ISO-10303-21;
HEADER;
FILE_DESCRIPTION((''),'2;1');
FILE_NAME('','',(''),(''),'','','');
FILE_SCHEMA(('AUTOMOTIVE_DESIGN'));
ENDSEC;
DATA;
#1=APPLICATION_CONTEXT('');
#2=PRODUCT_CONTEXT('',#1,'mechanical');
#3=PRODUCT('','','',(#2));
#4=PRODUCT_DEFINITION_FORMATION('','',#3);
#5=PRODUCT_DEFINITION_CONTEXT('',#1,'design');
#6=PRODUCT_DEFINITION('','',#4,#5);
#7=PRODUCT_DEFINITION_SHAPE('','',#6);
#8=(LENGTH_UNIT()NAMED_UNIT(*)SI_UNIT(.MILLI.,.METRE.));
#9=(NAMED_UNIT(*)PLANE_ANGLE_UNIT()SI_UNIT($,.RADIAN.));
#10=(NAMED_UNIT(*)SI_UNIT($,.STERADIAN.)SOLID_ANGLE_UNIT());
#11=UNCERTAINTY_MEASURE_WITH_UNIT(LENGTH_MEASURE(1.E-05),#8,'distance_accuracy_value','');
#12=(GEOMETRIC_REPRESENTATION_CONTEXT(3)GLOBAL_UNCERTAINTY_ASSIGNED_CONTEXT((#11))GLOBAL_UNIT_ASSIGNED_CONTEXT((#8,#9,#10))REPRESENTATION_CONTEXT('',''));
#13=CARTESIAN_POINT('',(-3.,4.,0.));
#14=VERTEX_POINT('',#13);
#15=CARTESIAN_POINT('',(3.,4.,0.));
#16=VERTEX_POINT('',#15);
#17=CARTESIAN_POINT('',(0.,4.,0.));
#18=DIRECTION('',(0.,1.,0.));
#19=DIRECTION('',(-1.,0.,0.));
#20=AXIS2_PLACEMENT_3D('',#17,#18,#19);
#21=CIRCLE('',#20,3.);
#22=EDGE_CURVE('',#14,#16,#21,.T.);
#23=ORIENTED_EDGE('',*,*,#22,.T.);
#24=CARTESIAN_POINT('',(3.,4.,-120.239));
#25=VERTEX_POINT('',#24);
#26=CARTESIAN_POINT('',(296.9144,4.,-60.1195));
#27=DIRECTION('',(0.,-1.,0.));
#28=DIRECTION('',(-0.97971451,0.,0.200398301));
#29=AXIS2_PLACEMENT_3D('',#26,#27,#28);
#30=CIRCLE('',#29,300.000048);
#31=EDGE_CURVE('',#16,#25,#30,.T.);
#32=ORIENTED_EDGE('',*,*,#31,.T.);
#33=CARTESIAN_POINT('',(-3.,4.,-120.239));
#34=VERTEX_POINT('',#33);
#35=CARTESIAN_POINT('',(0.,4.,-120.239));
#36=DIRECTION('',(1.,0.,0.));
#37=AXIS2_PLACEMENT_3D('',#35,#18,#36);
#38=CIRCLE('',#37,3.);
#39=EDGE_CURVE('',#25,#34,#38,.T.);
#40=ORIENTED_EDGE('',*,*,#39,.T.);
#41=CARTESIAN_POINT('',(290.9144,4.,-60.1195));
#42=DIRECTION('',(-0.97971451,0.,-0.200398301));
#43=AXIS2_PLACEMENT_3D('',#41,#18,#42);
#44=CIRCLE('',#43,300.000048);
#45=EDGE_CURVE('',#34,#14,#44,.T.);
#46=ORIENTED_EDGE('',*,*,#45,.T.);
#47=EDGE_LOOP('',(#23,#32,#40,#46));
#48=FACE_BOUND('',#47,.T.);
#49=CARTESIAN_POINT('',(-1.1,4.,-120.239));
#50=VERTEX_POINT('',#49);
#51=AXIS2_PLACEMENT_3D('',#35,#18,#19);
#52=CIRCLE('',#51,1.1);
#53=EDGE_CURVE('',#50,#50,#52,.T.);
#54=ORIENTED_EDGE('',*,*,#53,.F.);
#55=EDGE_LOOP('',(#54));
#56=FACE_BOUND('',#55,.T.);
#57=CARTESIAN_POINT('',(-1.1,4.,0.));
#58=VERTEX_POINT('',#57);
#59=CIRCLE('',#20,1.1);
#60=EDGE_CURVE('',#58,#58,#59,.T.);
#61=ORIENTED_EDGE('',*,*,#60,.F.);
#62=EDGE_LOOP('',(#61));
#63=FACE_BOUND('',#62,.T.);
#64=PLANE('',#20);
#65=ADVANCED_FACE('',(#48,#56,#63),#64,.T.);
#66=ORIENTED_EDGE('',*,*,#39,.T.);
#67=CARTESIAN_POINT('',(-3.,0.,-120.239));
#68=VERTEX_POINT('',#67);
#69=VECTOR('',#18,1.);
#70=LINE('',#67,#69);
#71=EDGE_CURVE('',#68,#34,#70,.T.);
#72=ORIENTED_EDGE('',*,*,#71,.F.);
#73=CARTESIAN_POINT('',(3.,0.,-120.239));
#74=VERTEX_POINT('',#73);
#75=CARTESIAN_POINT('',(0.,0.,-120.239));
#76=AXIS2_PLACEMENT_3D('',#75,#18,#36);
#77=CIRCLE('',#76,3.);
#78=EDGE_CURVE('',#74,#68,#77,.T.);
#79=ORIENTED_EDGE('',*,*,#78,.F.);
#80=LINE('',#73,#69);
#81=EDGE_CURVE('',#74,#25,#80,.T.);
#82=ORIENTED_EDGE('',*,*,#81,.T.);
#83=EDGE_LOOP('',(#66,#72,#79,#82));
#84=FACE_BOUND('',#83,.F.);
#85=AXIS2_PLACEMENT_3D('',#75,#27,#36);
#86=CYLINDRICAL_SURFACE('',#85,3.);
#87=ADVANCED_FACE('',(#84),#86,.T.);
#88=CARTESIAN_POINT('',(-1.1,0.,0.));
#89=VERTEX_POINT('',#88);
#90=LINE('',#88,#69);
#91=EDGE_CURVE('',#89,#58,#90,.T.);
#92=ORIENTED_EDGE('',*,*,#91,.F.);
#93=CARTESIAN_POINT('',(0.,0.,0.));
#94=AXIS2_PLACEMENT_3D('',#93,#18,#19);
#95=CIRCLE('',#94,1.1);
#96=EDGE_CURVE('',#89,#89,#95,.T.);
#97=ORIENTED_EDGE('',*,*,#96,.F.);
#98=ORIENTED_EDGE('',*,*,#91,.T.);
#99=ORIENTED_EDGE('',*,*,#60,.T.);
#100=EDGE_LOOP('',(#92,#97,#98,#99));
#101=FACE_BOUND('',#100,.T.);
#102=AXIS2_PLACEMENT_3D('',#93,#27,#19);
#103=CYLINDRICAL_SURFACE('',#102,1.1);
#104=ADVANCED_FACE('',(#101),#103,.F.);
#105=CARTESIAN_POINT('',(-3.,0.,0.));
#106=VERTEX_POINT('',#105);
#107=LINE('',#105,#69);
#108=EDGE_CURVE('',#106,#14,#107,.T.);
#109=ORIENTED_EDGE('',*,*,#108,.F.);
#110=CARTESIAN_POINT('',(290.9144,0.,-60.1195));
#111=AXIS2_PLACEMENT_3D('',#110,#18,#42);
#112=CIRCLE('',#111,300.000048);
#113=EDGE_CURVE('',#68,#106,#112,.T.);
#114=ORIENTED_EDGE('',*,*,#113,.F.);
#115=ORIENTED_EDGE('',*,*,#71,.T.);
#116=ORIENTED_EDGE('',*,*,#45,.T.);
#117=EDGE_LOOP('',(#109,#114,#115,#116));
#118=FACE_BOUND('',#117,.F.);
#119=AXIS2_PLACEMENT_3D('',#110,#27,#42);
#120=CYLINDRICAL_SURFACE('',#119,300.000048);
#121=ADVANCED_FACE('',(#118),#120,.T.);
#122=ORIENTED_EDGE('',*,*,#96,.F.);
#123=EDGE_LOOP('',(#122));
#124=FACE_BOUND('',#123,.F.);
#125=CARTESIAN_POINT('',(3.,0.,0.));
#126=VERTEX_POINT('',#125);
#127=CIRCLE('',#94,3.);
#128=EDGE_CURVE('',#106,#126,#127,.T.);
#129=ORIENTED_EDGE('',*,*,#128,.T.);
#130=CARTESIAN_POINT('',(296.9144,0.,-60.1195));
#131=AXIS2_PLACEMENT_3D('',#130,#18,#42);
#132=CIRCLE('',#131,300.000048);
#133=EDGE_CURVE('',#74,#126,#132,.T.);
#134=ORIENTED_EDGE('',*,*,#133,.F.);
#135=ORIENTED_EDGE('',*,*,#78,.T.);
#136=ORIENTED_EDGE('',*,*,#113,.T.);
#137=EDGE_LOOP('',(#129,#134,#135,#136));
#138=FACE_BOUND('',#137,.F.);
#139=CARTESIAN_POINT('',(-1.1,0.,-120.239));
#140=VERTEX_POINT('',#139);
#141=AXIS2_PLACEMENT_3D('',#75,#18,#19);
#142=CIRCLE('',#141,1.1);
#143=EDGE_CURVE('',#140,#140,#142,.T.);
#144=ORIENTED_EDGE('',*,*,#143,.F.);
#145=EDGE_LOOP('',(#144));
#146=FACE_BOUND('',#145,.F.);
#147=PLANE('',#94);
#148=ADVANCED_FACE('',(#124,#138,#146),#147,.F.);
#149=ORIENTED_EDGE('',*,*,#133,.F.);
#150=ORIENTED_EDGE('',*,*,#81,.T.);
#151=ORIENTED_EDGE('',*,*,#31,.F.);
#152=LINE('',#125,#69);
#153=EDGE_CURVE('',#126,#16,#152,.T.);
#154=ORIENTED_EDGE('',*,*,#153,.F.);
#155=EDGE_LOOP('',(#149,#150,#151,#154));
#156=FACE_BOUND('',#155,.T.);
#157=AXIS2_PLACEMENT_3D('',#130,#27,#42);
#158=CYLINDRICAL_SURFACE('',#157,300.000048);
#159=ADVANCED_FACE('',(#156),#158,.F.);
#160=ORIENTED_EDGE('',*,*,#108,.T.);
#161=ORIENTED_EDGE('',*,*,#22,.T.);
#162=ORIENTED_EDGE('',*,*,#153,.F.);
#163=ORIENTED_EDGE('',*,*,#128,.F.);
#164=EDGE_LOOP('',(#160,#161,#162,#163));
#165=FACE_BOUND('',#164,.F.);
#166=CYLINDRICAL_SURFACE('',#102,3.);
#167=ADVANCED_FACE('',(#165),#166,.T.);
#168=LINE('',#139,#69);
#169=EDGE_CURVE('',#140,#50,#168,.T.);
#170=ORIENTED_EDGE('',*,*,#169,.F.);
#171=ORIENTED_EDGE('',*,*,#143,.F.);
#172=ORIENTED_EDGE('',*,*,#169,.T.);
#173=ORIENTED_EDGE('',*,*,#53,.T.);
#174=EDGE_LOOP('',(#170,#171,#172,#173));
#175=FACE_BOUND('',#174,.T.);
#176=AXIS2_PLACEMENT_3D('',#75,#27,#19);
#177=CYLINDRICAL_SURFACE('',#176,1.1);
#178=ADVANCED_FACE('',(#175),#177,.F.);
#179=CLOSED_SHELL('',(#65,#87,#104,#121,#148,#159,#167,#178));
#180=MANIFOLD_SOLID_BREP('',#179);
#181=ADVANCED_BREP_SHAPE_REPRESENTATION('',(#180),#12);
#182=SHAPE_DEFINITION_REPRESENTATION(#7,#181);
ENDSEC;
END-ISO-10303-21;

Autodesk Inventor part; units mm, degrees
ref_plane "YZ Plane" through (0, 0, 0) normal (1, 0, 0) x (0, 1, 0)
ref_plane "XZ Plane" through (0, 0, 0) normal (0, 1, 0) x (-1, 0, 0)
ref_plane "XY Plane" through (0, 0, 0) normal (0, 0, 1) x (1, 0, 0)
sketch "Sketch1" plane through (0, 0, 0) normal (0, 1, 0) x (-1, 0, 0)
  line L0 (0, 0) -> (0, -120.239) construction
  line L1 (3, 0) -> (3, -120.239)
  line L2 (-3, -120.239) -> (-3, 0)
  arc A0 (3, 0) -> (-3, 0) centre (0, 0) ccw
  arc A1 (-3, -120.239) -> (3, -120.239) centre (0, -120.239) ccw
  circle A2 centre (0, 0) radius 1.1
  circle A3 centre (0, -120.239) radius 1.1
  arc A4 (-3, -120.239) -> (-3, 0) centre (-296.9144, -60.1195) ccw
  arc A5 (3, -120.239) -> (3, 0) centre (-290.9144, -60.1195) ccw
  point P0 (0, -60.1195)
  dimension "d0" = 2.2
  dimension "d1" = 2.2
  dimension "d2" = 6
  dimension "d3" = 120.239
  dimension "d14" = 300
  dimension "d15" = 300
extrude "Extrusion1" add sketch "Sketch1" along normal blind 4 contours A5 L1 A4 | L1 A4 A0 | A1 A4 L1
